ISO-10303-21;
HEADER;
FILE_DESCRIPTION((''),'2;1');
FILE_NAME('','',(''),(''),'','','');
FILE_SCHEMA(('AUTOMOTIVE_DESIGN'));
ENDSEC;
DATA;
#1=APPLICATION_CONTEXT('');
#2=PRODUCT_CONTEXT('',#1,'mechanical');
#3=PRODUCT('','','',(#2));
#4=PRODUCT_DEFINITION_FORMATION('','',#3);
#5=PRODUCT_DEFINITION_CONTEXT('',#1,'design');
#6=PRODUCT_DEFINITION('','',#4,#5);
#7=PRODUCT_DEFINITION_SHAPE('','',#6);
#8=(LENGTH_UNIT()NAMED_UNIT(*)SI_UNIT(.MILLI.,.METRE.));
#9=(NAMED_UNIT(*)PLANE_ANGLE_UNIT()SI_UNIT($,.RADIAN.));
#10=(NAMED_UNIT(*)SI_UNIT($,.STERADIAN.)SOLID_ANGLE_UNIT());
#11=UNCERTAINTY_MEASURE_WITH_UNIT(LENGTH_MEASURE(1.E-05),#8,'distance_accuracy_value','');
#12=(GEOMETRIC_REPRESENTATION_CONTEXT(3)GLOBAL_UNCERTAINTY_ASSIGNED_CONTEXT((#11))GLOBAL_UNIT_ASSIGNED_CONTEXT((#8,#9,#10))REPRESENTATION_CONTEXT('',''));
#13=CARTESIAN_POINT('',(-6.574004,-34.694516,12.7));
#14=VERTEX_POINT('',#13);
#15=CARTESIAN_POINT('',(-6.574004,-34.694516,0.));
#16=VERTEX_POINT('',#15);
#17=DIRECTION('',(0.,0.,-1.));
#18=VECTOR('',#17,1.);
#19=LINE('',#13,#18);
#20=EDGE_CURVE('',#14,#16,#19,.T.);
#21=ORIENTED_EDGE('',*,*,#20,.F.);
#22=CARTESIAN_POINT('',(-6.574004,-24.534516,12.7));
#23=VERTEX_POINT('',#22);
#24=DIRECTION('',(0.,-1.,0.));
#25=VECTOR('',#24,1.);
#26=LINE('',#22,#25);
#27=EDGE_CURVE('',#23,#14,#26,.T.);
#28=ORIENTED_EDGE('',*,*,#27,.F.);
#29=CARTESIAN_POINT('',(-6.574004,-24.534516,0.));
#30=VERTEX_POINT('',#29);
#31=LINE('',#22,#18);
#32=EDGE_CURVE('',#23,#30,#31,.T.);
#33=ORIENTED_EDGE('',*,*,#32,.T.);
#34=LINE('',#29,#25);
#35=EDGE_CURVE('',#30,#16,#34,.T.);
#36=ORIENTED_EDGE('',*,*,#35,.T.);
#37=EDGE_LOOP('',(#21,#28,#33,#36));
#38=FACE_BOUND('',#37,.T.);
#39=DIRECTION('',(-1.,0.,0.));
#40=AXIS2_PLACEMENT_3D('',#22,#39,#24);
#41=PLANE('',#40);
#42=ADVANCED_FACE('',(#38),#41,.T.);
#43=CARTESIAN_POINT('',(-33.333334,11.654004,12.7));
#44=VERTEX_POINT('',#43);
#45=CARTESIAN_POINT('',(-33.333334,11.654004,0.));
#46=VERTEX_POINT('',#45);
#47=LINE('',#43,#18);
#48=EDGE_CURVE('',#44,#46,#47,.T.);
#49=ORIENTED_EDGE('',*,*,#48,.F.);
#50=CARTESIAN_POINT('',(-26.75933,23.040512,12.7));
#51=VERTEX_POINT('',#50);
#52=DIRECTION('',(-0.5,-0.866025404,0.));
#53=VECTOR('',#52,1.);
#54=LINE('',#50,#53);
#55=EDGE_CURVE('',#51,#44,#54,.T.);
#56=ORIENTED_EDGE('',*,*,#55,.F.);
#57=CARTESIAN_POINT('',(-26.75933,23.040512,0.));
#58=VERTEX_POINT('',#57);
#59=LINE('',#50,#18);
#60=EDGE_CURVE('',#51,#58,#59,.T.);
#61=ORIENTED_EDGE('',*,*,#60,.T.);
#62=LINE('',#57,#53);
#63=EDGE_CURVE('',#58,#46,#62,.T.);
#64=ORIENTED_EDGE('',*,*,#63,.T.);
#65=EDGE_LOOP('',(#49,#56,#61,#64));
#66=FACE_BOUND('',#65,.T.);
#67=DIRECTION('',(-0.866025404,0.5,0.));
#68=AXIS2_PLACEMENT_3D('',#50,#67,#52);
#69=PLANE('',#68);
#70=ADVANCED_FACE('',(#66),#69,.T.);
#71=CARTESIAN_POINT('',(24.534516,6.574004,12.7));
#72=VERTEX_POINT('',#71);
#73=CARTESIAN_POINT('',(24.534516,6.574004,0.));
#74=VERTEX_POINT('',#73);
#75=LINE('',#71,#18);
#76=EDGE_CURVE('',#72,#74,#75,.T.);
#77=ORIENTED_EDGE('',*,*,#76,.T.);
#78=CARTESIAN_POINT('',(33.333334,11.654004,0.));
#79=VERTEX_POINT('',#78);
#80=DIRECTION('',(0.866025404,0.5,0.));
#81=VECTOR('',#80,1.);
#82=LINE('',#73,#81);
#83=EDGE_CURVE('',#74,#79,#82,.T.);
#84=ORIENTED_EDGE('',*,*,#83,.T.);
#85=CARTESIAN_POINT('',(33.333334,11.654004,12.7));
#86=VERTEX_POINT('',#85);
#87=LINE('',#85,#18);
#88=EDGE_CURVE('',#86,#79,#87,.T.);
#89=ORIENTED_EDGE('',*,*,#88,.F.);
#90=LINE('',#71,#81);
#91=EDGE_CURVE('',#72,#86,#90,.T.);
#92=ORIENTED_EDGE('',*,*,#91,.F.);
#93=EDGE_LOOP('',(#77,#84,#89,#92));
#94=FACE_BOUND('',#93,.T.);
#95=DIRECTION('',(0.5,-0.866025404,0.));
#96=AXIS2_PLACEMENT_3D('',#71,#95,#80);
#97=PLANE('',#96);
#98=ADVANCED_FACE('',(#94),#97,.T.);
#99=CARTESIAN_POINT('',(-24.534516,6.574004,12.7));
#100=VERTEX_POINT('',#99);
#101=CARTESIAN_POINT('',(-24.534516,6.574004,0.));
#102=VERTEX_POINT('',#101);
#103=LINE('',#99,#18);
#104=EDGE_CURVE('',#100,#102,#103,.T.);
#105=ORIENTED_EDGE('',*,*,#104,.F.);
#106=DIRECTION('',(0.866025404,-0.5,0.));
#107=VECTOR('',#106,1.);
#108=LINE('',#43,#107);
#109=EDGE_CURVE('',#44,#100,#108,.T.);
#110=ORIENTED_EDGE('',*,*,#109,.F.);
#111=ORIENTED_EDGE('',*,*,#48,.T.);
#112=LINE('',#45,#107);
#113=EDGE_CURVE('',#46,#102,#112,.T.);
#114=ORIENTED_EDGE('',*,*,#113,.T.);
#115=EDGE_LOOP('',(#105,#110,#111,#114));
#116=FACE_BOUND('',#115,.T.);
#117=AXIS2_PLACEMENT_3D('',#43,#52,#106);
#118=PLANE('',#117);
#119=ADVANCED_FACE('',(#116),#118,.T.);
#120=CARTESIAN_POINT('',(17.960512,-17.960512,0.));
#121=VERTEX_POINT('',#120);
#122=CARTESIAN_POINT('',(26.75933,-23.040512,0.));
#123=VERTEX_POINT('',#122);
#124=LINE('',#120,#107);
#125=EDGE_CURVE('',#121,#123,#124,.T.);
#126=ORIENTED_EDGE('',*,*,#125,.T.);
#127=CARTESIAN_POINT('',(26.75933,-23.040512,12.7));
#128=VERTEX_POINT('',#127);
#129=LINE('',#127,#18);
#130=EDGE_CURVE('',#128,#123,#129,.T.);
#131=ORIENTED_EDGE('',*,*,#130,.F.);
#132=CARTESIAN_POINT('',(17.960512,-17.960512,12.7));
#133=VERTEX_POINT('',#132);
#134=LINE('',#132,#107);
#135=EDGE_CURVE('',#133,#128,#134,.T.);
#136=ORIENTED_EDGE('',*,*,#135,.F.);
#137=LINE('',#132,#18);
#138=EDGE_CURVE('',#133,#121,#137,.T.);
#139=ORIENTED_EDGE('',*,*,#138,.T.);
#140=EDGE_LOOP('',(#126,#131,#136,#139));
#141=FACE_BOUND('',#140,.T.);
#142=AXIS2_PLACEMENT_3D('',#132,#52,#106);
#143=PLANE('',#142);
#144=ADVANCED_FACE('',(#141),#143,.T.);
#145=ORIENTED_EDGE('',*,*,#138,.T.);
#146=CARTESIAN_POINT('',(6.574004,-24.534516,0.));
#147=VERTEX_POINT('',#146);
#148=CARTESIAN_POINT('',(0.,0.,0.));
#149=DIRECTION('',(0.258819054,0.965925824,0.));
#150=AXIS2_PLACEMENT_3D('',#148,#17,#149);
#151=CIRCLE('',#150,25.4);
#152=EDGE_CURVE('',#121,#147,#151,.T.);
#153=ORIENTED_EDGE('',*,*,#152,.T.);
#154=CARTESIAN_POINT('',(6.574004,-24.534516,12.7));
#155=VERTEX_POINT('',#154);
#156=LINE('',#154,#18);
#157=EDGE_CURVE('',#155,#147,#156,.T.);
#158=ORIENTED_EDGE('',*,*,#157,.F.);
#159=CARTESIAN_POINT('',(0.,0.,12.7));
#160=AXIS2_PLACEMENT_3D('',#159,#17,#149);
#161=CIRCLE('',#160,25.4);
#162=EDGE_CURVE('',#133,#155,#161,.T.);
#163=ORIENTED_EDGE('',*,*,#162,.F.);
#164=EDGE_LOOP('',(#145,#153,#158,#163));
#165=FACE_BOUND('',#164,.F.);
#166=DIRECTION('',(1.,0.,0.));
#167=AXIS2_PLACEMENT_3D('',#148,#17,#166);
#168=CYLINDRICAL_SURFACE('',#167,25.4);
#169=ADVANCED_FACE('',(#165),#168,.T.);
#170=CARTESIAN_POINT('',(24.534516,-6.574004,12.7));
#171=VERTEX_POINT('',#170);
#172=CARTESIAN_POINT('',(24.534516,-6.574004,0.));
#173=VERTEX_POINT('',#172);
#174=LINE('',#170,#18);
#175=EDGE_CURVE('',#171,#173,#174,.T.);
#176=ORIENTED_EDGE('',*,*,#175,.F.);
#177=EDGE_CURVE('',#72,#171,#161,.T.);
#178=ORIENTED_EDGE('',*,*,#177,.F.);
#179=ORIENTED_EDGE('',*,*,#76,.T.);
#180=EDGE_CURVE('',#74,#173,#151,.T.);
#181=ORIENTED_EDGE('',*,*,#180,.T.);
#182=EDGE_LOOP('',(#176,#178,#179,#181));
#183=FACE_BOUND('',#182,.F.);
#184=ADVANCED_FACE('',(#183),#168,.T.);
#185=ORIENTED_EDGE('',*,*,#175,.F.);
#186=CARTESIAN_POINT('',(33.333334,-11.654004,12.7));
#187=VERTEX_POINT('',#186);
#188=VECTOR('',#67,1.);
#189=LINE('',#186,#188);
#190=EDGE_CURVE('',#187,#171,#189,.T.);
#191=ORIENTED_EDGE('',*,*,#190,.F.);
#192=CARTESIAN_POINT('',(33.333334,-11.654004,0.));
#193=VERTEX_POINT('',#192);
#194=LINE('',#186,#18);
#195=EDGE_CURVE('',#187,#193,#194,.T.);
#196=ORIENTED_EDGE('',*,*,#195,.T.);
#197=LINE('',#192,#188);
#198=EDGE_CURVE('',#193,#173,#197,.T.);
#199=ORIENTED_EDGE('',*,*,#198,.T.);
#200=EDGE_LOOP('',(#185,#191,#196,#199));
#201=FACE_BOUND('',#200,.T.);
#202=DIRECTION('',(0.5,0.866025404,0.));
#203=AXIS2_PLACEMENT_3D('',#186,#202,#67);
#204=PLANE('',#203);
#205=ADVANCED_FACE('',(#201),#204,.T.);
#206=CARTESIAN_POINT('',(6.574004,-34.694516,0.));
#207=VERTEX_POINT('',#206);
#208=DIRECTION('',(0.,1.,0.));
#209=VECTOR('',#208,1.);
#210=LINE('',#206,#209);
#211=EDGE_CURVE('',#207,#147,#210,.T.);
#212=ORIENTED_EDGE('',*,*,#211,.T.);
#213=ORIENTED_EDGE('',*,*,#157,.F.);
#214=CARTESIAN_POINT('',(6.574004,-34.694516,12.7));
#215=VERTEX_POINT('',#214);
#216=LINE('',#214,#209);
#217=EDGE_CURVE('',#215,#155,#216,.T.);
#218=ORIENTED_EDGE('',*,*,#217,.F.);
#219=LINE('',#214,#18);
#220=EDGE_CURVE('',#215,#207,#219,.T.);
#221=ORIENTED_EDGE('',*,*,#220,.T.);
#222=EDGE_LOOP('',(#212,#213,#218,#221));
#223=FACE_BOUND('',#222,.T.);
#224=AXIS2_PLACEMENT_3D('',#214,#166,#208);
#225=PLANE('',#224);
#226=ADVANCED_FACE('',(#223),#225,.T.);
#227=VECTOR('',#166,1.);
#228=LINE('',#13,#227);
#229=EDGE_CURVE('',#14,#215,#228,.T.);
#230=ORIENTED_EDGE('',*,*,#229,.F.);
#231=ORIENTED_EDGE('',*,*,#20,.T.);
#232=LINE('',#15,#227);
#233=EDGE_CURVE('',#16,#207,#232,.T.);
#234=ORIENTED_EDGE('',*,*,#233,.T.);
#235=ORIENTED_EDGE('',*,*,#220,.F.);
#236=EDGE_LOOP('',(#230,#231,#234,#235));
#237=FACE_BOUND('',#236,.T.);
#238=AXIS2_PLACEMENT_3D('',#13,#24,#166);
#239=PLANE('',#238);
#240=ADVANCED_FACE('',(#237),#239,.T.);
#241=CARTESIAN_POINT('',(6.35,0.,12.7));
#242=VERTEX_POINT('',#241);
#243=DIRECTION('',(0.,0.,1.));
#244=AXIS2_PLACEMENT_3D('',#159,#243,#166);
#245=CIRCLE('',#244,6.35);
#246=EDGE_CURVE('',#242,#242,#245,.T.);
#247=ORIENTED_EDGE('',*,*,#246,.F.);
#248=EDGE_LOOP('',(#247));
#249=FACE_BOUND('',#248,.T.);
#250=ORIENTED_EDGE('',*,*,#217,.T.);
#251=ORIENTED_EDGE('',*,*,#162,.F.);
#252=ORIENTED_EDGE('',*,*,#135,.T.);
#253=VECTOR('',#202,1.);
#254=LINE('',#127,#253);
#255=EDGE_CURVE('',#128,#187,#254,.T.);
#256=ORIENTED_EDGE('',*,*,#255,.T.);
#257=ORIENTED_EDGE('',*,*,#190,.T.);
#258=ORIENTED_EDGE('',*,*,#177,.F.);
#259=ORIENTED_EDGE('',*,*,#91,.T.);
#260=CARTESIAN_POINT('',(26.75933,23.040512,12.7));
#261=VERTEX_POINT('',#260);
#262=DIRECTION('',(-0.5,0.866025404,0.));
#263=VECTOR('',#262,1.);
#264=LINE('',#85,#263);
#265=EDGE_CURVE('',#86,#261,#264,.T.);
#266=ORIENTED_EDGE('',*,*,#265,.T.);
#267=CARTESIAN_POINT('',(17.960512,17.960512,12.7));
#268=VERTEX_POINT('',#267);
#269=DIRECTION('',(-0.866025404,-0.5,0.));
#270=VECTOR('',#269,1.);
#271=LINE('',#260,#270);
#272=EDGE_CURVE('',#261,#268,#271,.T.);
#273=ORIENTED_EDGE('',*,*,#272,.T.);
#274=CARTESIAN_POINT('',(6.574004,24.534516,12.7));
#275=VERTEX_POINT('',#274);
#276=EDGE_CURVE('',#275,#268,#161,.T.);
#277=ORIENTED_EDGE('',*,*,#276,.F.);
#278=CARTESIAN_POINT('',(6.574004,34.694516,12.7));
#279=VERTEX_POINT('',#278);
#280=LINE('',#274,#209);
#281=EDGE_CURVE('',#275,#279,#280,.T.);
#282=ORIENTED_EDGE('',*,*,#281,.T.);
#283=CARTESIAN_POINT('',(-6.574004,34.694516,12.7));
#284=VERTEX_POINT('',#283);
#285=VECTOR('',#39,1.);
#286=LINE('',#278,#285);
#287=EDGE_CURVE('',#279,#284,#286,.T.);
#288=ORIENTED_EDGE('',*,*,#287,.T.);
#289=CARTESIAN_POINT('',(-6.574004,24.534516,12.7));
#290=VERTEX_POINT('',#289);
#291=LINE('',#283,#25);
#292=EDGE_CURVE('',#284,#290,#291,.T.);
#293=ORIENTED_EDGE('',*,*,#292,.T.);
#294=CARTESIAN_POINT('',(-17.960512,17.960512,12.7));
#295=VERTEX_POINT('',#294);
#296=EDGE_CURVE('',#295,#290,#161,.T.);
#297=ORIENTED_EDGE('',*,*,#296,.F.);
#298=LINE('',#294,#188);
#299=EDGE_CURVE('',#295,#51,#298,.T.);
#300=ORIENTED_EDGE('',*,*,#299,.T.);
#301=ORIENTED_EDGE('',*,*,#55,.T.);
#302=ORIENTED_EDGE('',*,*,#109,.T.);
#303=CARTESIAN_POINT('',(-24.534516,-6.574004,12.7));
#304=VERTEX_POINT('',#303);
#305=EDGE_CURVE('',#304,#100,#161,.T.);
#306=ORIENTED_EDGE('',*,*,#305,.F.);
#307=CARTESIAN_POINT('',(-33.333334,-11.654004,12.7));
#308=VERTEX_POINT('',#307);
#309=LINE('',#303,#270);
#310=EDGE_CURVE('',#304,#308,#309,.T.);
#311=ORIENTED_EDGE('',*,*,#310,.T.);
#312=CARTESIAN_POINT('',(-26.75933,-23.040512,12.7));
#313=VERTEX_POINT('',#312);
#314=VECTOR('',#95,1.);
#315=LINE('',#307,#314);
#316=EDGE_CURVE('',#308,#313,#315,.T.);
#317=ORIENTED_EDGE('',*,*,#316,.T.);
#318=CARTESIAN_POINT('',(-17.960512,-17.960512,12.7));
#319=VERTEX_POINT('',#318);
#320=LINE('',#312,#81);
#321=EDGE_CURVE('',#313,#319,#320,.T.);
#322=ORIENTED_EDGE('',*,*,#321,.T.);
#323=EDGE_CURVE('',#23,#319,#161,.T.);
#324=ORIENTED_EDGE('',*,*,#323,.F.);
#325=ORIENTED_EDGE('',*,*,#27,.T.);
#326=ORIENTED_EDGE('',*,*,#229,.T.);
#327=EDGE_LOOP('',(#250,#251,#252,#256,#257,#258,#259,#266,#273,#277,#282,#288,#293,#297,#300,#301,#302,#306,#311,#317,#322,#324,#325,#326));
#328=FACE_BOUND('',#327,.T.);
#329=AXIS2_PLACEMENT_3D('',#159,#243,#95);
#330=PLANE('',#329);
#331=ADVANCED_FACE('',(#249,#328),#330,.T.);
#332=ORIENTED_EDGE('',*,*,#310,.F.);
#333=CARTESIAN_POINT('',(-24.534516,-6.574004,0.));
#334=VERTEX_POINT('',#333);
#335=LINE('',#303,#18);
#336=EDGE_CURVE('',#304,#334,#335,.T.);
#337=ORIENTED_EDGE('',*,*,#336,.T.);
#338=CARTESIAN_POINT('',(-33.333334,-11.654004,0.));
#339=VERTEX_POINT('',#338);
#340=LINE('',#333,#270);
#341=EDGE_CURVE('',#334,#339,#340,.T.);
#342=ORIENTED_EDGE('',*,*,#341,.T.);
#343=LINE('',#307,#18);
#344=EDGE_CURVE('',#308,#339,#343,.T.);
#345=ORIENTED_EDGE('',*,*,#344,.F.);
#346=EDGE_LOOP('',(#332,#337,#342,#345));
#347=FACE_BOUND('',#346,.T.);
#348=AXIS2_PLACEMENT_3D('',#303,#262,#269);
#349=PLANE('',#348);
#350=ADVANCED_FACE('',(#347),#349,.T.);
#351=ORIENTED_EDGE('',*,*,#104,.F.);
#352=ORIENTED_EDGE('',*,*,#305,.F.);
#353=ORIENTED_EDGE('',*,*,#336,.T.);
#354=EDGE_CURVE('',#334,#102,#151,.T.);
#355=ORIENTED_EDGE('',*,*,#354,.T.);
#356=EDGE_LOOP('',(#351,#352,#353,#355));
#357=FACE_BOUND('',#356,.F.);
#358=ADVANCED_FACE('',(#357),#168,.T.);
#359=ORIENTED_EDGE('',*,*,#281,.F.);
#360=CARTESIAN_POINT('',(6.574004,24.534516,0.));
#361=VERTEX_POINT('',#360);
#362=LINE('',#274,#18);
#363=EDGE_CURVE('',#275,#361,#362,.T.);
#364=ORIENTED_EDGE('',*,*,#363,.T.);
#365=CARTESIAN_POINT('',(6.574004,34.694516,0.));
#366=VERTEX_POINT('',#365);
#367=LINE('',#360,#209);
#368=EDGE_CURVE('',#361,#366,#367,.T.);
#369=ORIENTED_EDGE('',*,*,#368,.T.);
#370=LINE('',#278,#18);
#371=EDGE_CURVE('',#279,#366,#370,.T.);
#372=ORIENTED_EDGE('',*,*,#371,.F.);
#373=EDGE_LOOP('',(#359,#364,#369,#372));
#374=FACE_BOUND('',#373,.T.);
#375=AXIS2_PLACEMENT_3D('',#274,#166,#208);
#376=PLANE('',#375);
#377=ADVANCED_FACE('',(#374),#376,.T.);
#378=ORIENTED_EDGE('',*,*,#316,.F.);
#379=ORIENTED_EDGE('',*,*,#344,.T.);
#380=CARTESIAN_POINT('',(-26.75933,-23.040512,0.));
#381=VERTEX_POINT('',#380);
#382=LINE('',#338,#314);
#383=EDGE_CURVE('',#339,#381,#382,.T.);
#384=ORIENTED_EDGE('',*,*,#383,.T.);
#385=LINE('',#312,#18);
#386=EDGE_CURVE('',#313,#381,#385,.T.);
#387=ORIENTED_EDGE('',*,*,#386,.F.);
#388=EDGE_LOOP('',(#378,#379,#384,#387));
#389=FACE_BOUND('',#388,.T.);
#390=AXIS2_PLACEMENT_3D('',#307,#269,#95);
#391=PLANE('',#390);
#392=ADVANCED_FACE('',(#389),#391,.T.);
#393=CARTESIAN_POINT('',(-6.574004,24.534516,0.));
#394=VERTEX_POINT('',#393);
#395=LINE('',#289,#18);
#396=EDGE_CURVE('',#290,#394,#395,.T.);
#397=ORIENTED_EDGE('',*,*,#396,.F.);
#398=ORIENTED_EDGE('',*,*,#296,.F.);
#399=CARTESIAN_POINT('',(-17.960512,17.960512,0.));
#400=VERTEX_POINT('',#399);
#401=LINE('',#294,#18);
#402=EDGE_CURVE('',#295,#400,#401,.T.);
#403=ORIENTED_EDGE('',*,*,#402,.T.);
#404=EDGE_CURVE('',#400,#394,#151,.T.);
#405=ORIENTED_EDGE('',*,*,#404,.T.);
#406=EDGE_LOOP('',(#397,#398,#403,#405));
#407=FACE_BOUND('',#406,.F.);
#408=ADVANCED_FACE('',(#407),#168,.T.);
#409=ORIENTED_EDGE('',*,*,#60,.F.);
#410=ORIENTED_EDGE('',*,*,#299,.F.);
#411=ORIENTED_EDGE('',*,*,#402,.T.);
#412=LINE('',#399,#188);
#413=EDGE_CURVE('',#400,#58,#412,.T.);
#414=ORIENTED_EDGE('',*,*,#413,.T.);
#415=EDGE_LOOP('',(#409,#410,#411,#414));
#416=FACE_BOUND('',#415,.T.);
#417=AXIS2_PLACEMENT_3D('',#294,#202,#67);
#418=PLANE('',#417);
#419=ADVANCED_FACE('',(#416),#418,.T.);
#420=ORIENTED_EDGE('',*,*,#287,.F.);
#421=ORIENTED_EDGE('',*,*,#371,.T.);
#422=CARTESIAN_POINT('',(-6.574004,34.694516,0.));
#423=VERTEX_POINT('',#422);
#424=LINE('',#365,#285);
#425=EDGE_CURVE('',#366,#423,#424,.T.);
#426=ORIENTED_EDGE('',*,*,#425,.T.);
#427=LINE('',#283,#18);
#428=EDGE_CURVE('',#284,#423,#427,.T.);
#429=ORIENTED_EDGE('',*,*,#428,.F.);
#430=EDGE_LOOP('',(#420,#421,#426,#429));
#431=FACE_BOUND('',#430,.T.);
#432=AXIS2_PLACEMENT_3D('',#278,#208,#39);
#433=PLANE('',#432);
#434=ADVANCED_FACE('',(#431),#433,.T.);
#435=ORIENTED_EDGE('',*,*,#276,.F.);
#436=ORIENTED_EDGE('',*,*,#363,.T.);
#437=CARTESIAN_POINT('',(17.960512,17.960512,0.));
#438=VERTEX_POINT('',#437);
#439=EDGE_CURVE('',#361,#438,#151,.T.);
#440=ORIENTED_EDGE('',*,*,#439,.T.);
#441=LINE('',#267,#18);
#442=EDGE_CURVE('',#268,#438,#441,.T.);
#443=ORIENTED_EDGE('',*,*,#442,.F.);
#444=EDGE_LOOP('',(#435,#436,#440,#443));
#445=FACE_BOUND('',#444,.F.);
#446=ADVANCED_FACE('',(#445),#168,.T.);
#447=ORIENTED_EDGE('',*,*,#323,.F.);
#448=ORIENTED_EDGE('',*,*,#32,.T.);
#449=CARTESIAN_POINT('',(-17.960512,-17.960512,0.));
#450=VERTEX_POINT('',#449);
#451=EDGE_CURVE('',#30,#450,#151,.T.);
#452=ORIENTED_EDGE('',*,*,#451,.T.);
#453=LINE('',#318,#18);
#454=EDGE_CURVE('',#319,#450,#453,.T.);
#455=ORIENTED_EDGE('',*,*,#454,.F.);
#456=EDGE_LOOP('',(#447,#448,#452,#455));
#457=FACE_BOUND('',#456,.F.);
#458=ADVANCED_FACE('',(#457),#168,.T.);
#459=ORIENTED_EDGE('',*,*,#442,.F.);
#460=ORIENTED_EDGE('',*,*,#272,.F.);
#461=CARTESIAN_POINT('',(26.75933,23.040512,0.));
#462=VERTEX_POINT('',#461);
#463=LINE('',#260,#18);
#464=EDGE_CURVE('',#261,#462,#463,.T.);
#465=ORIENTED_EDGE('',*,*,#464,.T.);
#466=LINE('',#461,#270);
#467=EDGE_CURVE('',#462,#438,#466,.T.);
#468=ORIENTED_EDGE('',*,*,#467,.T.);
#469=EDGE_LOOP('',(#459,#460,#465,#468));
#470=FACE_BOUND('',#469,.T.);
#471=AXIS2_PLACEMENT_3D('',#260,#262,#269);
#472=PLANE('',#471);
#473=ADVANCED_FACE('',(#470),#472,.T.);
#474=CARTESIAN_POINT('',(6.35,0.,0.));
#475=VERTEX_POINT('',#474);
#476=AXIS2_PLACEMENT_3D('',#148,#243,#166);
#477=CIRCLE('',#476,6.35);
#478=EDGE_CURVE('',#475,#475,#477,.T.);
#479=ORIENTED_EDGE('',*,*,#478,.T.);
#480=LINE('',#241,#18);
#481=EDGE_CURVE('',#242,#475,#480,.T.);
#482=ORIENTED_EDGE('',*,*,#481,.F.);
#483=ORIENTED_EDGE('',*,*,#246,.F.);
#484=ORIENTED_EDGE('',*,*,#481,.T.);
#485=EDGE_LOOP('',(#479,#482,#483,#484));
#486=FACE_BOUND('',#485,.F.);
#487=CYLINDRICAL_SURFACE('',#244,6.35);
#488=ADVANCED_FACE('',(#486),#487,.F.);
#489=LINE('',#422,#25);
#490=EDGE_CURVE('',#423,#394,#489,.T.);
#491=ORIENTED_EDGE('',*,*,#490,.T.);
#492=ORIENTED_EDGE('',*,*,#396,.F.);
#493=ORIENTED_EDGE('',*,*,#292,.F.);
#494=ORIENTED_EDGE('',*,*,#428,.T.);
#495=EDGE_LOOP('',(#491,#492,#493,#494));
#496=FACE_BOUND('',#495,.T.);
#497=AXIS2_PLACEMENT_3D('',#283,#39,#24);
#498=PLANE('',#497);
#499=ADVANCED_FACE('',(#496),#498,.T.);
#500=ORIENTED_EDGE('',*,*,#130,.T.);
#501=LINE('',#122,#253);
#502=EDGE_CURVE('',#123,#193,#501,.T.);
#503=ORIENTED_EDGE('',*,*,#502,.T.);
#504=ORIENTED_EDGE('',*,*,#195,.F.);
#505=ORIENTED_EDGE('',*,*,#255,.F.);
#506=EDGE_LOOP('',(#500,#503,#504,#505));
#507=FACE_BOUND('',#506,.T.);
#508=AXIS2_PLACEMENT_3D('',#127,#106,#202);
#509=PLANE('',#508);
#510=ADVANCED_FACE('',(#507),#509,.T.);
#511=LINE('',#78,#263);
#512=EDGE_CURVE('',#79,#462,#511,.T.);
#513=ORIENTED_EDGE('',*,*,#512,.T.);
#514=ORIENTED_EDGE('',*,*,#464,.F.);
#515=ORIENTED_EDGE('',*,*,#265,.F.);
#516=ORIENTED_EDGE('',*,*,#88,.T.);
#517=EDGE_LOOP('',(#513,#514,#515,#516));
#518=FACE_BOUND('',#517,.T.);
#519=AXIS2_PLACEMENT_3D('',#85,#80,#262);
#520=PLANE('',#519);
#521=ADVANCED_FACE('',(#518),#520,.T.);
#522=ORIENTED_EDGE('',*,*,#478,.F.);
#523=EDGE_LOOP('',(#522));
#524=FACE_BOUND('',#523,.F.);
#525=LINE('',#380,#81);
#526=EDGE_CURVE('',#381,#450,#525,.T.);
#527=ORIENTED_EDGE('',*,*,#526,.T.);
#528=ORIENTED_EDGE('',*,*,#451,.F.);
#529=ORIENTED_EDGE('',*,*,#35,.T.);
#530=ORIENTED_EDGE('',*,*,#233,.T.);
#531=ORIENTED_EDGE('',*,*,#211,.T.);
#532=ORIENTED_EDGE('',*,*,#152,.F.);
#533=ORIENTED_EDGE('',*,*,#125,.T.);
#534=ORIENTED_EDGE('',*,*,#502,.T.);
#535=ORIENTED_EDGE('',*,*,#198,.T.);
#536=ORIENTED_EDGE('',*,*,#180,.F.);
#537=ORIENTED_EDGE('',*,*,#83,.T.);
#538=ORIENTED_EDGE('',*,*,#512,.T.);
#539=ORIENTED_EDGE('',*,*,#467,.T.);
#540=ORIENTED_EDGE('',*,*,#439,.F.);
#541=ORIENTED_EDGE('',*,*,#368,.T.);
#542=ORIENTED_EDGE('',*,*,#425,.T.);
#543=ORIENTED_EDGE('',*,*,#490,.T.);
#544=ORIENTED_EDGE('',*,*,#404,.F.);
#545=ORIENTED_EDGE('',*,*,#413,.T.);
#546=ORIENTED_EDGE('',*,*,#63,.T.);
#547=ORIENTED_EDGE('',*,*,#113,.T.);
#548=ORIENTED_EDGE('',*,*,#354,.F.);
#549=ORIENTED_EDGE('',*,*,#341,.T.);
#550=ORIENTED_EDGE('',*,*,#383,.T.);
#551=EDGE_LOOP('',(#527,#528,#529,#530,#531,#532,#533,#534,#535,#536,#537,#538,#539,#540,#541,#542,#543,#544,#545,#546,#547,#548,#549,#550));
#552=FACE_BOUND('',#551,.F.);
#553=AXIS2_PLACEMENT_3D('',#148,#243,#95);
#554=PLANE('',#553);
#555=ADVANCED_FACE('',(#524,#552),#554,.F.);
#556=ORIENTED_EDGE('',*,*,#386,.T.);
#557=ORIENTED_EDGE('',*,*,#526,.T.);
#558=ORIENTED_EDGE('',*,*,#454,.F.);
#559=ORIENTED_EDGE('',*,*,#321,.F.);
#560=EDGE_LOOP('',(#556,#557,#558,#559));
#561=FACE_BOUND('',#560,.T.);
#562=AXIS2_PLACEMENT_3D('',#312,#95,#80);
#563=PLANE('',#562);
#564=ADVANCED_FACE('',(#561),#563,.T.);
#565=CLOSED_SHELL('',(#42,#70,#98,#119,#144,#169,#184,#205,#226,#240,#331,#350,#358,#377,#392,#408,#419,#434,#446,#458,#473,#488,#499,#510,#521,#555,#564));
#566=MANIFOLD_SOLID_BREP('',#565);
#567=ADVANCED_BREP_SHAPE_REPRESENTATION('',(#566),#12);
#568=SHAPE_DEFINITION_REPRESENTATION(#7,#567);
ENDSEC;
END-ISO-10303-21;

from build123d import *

# Parameters (mm, degrees)
F0_R     = 25.4
F1_DEPTH = 12.7
F3_DEPTH = 12.7
F5_COUNT = 6
F6_R     = 6.35
F7_DEPTH = 25.4


with BuildPart() as f1:
    # F0 (on Top) → F1 (new body)
    with BuildSketch(Plane.XY):
        Circle(F0_R)
    extrude(amount=F1_DEPTH)

    # F2 (on face) → F3 (join)
    with BuildSketch(Plane.XY.offset(12.7)):
        Polygon((-6.574004, 24.534516), (0, 0), (0, 24.534516), align=None)
        Polygon((0, 24.534516), (0, 0), (6.574004, 24.534516), align=None)
        Polygon((-6.574004, 24.534516), (0, 24.534516), (6.574004, 24.534516), (6.574004, 34.694516), (-6.574004, 34.694516), align=None)
    extrude(amount=-F3_DEPTH)

    # F5: F1 ×6 about axis
    f5_axis = Axis((0, 0, 30.303461), (0, 0, 1))


with BuildPart() as f1_1:
    add(f1.part)
    for i in range(1, F5_COUNT):
        add(f1.part.rotate(f5_axis, i * 360 / F5_COUNT))

    # F6 (on face) → F7 (cut)
    with BuildSketch(Plane.XY.offset(12.7)):
        Circle(F6_R)
    extrude(amount=-F7_DEPTH, mode=Mode.SUBTRACT)


solid = f1_1.part
